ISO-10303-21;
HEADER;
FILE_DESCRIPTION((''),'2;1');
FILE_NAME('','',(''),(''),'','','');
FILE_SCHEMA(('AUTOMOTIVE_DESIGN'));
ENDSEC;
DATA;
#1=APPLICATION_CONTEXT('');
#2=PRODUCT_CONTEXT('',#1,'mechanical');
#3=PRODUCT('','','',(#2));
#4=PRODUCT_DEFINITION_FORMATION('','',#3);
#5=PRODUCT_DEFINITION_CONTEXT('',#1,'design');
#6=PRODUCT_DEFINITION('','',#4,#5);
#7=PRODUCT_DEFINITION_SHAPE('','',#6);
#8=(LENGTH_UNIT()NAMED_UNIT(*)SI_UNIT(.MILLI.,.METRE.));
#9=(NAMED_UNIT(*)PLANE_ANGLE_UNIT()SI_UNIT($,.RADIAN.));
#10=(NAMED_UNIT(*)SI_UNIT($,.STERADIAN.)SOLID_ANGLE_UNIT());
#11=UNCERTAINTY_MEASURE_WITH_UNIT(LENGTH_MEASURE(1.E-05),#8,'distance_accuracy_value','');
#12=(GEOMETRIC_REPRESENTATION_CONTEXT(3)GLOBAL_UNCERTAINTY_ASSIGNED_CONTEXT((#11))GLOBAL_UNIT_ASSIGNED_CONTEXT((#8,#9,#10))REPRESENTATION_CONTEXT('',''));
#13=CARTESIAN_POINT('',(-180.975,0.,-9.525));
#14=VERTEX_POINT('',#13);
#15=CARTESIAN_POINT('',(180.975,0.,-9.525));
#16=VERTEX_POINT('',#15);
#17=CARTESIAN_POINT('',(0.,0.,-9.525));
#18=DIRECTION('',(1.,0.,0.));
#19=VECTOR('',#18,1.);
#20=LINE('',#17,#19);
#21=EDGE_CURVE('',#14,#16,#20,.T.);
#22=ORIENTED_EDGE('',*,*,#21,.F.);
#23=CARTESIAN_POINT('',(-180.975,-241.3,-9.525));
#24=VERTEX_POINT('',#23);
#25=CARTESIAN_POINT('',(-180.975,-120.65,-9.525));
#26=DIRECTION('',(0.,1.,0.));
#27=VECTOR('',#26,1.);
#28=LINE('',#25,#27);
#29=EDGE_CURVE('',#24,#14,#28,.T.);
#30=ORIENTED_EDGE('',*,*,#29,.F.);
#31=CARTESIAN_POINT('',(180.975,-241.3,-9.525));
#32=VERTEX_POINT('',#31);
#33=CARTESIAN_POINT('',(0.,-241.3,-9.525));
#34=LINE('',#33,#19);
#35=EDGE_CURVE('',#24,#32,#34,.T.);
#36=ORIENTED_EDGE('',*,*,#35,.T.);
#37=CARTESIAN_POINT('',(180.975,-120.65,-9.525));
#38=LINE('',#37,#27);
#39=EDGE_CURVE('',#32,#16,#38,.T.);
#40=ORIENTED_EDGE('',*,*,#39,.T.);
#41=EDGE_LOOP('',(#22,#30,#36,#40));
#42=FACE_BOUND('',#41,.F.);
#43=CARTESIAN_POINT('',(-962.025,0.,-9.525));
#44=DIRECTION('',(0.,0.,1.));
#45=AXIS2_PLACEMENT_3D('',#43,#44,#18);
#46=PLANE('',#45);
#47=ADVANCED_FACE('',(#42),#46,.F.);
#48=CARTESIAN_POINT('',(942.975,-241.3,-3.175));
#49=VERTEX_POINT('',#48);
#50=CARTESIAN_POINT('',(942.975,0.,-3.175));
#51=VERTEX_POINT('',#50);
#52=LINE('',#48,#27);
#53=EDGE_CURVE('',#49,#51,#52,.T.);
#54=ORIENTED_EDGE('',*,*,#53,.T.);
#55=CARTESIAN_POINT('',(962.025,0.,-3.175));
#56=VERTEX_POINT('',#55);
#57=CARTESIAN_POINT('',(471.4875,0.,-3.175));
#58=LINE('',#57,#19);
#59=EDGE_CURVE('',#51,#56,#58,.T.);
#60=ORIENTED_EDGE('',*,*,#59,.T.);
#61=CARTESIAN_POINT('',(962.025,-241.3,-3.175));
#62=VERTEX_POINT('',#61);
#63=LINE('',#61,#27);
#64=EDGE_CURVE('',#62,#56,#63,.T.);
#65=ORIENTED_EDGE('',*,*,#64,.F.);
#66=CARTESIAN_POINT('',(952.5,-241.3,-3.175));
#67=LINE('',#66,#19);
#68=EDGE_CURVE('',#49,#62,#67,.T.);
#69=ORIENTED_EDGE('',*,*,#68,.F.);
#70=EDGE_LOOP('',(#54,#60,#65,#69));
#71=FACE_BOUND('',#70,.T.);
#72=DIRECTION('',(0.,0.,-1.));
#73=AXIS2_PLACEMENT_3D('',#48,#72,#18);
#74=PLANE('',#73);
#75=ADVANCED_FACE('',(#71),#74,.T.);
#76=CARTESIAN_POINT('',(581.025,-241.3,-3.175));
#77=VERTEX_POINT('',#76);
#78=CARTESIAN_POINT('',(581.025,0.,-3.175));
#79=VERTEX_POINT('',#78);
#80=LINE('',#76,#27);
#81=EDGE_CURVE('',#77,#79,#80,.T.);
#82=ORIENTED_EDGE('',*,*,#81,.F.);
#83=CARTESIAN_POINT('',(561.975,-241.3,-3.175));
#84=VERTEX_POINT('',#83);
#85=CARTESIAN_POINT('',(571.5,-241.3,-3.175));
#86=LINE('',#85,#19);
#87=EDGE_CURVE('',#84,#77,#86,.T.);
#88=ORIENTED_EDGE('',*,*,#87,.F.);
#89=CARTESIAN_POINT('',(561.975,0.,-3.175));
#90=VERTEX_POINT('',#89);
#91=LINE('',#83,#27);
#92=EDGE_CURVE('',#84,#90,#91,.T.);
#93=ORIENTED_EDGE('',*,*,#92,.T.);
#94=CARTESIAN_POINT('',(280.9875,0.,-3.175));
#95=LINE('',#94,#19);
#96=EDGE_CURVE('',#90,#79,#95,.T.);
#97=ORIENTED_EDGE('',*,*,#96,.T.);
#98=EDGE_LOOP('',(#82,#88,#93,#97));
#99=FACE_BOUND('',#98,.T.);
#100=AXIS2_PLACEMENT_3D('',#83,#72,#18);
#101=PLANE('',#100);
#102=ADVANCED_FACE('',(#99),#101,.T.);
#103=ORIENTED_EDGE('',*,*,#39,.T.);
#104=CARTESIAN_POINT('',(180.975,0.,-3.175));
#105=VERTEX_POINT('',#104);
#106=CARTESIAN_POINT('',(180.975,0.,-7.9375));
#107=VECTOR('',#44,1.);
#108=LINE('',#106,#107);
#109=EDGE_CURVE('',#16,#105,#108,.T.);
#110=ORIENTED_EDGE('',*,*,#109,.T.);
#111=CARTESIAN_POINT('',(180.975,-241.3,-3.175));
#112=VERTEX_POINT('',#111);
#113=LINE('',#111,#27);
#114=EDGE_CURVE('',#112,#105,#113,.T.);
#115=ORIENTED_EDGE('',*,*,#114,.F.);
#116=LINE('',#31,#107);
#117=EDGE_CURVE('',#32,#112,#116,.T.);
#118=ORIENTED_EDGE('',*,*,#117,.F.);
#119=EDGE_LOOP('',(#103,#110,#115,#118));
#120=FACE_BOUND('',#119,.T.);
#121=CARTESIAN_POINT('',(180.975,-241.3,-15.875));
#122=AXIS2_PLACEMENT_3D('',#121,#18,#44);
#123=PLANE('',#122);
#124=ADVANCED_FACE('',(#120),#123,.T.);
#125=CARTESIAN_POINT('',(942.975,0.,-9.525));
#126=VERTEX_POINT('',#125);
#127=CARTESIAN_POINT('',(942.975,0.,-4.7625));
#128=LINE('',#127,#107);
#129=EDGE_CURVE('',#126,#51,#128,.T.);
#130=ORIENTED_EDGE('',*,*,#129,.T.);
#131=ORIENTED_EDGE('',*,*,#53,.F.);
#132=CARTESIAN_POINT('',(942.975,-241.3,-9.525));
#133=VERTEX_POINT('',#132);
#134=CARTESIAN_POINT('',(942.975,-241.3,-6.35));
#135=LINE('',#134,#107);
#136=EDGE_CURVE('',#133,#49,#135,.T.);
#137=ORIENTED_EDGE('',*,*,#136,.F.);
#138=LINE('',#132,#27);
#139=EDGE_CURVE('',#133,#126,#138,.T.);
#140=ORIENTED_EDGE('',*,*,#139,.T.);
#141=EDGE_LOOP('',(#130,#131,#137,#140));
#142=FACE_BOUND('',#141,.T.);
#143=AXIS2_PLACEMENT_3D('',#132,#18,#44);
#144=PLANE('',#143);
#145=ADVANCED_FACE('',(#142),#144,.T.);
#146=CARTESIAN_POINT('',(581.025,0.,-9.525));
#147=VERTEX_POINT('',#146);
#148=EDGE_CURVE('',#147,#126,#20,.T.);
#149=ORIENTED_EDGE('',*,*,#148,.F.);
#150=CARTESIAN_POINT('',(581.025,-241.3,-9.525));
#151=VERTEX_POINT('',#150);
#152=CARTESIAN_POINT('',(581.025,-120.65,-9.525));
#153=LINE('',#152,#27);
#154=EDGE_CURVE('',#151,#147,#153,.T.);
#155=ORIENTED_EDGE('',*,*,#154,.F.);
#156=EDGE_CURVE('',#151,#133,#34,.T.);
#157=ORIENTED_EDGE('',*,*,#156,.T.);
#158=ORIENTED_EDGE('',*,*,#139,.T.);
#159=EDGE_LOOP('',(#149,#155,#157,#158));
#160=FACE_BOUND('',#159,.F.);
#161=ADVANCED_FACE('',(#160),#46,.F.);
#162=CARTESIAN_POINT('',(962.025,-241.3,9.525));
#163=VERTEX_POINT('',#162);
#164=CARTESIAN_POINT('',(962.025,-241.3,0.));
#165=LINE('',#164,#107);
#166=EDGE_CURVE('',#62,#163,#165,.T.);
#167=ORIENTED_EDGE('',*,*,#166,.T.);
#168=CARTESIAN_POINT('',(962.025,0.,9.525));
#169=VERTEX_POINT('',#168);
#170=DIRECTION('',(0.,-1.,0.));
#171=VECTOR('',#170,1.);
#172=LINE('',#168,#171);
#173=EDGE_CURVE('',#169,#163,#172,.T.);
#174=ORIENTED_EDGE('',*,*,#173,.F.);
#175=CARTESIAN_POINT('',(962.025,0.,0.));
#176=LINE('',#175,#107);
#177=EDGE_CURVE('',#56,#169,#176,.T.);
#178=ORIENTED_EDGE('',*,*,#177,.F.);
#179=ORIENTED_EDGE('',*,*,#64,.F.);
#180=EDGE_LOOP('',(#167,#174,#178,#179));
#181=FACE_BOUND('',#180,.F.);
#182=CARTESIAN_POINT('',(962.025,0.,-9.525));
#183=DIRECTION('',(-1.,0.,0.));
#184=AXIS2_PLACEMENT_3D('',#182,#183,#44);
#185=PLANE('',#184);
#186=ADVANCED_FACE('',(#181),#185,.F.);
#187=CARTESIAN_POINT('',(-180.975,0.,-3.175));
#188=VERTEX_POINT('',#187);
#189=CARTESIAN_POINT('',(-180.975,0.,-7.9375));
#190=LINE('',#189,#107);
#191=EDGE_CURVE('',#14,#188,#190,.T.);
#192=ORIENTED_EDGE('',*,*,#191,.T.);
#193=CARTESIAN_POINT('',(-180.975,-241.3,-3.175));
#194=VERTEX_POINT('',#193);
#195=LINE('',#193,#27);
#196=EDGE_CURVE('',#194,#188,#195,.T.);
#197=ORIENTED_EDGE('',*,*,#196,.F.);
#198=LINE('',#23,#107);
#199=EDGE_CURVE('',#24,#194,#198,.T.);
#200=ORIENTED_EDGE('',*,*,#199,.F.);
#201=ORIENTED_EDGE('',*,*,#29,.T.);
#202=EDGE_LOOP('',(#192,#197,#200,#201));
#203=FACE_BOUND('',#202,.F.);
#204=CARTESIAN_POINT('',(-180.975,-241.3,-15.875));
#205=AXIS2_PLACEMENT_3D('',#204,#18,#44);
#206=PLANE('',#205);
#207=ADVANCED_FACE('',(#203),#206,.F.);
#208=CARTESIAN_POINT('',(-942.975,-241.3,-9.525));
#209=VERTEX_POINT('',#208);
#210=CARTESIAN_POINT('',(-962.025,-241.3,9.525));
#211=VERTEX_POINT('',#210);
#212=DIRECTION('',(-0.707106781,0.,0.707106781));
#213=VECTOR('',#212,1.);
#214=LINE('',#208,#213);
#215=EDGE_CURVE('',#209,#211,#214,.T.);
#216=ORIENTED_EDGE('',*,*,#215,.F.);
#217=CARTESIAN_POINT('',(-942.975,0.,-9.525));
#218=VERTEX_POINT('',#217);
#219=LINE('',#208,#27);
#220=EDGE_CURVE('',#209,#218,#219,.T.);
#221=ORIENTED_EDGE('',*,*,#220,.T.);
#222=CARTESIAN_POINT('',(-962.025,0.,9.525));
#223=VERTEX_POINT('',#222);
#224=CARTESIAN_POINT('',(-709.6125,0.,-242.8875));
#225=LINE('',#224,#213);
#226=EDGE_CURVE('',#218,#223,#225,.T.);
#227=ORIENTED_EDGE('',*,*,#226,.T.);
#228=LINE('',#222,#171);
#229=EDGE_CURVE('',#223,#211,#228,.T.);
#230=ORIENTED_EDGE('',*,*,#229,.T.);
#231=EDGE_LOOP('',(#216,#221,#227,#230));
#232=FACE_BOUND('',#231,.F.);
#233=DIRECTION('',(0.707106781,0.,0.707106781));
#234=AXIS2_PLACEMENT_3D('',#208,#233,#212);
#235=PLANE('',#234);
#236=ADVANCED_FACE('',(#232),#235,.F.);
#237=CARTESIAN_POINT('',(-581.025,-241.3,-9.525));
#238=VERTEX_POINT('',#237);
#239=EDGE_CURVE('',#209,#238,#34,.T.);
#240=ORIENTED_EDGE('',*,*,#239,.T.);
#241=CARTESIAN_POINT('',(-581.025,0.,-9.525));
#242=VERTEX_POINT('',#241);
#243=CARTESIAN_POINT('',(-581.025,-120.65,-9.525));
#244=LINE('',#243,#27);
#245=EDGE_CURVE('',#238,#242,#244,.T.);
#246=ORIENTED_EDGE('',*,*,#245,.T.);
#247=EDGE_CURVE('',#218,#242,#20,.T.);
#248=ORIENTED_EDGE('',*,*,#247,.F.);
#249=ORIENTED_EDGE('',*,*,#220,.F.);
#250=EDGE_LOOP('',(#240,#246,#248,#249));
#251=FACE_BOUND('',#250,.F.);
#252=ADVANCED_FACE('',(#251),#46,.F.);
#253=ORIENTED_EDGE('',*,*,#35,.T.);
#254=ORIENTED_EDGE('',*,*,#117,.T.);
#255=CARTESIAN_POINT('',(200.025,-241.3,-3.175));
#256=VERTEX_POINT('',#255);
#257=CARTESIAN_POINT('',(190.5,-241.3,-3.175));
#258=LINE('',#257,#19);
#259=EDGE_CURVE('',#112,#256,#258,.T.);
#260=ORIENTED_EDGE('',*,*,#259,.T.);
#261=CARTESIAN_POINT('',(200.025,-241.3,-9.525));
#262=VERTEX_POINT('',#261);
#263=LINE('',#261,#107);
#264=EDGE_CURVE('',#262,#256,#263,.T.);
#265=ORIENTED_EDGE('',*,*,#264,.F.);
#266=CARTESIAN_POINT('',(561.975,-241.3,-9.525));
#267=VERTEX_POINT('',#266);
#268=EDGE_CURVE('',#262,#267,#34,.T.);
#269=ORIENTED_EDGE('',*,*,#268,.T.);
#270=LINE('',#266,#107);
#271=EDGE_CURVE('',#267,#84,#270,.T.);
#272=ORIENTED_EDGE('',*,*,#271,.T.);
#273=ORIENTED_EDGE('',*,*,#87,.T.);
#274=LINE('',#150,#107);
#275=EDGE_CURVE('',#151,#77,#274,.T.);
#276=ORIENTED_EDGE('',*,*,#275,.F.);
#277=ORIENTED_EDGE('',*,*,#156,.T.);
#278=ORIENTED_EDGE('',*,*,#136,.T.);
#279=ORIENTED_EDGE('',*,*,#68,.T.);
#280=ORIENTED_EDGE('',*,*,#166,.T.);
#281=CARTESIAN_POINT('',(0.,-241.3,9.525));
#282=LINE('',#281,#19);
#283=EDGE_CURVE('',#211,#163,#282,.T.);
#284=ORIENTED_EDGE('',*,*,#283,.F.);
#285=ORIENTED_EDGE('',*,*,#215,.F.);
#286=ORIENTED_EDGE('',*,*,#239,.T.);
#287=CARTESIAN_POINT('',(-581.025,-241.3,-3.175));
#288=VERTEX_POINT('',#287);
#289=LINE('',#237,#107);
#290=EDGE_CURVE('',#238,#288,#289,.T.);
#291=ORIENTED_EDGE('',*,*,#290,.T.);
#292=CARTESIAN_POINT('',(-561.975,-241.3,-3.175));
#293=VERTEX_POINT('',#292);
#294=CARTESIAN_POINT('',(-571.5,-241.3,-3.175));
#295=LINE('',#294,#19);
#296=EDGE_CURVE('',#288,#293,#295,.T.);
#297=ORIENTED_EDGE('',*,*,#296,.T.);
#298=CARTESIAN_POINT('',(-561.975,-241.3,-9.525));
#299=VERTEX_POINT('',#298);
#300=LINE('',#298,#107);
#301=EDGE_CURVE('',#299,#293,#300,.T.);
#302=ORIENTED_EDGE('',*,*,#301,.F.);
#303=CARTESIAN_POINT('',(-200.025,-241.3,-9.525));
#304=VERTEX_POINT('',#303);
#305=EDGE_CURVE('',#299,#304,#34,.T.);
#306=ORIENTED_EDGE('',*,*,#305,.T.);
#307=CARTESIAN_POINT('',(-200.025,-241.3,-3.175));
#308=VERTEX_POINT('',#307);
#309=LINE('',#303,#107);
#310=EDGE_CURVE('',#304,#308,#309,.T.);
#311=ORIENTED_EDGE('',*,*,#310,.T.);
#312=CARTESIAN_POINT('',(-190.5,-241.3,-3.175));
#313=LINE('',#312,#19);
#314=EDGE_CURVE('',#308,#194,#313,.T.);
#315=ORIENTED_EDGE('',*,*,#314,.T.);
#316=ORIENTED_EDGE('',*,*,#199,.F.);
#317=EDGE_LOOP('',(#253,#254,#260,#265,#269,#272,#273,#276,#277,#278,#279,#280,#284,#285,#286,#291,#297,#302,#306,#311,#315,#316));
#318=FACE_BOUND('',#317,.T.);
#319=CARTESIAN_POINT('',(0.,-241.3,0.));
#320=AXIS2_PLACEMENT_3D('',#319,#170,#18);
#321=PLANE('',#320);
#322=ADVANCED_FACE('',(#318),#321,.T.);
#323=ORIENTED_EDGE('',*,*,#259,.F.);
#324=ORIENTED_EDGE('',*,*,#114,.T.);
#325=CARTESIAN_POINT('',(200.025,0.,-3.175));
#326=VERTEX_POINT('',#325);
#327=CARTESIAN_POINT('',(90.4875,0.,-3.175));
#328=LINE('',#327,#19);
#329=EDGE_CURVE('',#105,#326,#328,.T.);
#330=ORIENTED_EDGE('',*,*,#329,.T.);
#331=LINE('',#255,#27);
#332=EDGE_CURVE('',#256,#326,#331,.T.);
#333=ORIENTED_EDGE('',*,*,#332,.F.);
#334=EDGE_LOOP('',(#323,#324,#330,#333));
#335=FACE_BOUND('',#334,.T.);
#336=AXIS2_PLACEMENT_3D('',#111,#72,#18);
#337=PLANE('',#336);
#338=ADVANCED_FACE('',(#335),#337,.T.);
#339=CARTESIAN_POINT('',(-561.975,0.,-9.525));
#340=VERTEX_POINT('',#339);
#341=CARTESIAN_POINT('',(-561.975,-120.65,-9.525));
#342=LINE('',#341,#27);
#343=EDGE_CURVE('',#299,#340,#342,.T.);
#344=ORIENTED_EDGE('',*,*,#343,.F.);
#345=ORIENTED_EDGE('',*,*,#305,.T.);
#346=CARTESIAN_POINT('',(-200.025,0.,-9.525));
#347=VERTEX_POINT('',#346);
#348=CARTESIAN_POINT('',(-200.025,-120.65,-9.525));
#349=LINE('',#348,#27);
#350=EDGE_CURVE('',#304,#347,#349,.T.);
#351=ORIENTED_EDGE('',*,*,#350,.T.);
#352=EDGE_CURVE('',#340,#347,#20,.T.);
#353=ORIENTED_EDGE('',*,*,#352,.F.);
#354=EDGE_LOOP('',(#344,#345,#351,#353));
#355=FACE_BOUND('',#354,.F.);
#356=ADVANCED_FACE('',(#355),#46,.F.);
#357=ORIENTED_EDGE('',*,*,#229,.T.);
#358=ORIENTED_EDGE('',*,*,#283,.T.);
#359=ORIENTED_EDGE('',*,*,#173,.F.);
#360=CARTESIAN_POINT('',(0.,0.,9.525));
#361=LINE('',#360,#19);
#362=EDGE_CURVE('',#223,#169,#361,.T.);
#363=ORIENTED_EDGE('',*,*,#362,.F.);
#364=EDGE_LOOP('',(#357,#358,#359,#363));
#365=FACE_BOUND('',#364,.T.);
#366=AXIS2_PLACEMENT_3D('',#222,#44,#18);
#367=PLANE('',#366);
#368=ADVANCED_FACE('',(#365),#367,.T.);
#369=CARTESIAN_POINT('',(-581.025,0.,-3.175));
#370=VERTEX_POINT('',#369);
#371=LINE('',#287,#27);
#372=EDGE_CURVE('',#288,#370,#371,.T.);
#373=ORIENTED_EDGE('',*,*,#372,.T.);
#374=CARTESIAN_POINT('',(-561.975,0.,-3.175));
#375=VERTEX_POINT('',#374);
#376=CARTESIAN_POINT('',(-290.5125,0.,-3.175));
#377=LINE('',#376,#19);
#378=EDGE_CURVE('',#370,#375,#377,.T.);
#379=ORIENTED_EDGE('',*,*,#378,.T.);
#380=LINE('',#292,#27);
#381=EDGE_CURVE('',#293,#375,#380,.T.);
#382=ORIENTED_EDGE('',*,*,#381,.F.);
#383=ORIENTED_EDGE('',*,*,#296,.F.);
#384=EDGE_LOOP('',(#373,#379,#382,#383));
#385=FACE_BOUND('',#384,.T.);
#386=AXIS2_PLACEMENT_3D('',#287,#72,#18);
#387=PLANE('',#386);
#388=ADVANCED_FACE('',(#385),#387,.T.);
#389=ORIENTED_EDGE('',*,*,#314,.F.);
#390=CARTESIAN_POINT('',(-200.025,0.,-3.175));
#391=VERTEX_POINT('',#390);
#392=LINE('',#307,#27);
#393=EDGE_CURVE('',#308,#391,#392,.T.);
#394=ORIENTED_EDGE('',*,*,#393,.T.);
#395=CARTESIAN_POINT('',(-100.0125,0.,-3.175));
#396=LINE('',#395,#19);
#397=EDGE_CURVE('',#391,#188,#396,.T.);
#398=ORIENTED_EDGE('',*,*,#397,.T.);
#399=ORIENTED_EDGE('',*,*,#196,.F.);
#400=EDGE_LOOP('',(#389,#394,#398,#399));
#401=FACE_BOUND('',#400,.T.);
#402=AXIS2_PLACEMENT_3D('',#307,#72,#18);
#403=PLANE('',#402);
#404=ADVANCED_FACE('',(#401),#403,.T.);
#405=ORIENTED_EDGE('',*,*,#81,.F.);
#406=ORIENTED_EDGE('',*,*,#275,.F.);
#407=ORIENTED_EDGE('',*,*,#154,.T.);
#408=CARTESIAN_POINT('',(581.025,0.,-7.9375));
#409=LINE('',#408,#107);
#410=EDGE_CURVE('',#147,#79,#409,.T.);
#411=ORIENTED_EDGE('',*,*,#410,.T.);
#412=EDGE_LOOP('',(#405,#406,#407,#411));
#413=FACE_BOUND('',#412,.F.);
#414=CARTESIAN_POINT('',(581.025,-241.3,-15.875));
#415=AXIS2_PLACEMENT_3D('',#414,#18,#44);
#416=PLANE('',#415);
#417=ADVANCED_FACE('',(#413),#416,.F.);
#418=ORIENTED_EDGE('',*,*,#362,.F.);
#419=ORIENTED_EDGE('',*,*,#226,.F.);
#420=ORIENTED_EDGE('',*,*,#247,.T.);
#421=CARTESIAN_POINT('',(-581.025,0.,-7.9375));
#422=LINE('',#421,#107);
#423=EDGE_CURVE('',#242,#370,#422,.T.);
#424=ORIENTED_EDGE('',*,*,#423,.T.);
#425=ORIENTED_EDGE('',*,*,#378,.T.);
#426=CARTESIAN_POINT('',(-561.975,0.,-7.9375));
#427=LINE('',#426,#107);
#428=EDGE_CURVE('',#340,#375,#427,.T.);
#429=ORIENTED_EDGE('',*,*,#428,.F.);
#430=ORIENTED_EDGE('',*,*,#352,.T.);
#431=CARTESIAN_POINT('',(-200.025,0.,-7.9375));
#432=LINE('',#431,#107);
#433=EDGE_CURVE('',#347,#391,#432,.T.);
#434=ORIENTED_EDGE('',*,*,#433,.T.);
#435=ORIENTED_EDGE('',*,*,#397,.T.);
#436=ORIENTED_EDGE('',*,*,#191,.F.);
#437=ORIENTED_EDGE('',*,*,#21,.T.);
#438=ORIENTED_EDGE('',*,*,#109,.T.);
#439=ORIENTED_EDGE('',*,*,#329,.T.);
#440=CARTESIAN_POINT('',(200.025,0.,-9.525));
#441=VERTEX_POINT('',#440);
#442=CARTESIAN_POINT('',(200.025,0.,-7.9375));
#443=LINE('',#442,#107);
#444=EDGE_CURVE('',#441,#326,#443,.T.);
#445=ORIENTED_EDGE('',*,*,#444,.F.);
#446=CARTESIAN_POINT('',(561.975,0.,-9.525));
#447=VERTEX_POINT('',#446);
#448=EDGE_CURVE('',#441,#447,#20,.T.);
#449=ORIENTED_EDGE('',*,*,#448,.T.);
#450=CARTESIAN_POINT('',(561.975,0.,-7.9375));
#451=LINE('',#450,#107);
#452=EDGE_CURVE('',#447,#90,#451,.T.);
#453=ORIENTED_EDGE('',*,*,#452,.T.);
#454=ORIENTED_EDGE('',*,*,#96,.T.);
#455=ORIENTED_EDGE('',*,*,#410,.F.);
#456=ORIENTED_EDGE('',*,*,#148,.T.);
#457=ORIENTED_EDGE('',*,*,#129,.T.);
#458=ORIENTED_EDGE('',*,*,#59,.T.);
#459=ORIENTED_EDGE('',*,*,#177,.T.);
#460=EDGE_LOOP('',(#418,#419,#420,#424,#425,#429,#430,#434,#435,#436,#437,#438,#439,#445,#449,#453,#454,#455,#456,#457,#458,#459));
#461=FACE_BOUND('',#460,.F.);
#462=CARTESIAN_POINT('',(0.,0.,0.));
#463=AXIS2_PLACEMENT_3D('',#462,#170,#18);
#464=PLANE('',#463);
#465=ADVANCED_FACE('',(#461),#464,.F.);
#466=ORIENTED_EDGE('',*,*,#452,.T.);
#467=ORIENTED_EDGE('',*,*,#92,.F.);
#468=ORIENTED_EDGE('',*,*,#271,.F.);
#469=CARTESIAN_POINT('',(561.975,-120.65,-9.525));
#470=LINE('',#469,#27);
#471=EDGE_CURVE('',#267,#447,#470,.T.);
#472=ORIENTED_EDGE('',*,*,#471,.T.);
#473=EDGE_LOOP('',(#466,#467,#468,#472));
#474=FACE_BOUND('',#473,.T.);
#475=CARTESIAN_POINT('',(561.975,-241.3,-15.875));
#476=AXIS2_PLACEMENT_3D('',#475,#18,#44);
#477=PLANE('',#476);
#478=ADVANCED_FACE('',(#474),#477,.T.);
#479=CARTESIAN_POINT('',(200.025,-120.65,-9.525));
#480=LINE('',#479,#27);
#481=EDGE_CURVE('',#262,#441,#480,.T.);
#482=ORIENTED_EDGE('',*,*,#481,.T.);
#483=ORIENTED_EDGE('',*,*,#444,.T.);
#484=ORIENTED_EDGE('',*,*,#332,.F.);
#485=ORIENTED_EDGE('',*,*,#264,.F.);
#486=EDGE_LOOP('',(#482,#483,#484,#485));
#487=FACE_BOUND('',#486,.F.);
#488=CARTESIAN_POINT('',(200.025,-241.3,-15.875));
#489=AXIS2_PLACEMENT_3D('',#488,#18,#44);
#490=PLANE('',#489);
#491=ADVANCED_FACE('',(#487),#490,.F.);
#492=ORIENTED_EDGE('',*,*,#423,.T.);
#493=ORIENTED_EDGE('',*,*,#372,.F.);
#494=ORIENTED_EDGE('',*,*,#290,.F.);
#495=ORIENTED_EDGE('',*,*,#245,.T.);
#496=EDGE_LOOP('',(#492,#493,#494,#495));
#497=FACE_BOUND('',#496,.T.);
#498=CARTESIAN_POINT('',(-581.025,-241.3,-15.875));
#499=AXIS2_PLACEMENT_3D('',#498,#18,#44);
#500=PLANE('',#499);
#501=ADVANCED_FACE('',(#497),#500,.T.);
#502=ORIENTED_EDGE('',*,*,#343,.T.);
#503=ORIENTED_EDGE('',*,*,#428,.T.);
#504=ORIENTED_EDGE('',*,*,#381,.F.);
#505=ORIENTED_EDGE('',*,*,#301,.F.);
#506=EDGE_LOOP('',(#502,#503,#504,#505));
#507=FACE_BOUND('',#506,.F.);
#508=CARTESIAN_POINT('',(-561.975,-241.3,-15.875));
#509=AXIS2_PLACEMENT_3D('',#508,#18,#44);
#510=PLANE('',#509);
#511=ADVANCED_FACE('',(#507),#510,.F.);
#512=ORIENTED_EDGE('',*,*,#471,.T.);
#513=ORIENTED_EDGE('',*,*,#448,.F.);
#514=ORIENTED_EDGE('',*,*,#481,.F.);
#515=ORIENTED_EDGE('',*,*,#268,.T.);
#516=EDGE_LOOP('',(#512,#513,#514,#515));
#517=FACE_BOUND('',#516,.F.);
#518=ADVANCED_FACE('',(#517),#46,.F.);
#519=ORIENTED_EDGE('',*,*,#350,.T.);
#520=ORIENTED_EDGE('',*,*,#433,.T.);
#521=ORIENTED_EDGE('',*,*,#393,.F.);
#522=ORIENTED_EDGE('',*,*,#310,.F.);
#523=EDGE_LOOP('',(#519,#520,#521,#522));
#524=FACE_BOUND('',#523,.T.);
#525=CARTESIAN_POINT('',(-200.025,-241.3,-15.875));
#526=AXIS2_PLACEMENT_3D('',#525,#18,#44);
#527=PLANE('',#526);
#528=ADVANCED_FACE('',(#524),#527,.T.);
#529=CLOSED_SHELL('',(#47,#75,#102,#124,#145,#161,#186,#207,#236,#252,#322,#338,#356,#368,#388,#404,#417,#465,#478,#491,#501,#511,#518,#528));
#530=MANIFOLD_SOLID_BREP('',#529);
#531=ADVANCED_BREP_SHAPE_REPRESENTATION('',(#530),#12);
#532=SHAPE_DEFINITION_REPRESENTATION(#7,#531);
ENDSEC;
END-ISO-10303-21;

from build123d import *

# Parameters (mm, degrees)
F0_W     = 1924.05
F0_H     = 19.05
F1_DEPTH = 241.3
F3_DEPTH = 241.301
F4_W     = 19.05
F4_H     = 12.7
F4_H_2   = 6.35
F5_DEPTH = 241.301


with BuildPart() as f1:
    # F0 (on Front) → F1 (new body)
    with BuildSketch(Plane.XZ):
        Rectangle(F0_W, F0_H)
    extrude(amount=F1_DEPTH)

    # F2 (on face) → F3 (cut, through all)
    with BuildSketch(Plane.XZ.offset(241.3)):
        Polygon((-942.975, -9.525), (-962.025, 9.525), (-962.025, -9.525), align=None)
    extrude(amount=-F3_DEPTH, mode=Mode.SUBTRACT)

    # F4 (on face) → F5 (cut, through all)
    with BuildSketch(Plane.XZ.offset(241.3)):
        with Locations((-571.5, -9.525)):
            Rectangle(F4_W, F4_H)
        with Locations((-190.5, -9.525)):
            Rectangle(F4_W, F4_H)
        with Locations((571.5, -9.525)):
            Rectangle(F4_W, F4_H)
        with Locations((190.5, -9.525)):
            Rectangle(F4_W, F4_H)
        with Locations((952.5, -6.35)):
            Rectangle(F4_W, F4_H_2)
    extrude(amount=-F5_DEPTH, mode=Mode.SUBTRACT)


solid = f1.part
